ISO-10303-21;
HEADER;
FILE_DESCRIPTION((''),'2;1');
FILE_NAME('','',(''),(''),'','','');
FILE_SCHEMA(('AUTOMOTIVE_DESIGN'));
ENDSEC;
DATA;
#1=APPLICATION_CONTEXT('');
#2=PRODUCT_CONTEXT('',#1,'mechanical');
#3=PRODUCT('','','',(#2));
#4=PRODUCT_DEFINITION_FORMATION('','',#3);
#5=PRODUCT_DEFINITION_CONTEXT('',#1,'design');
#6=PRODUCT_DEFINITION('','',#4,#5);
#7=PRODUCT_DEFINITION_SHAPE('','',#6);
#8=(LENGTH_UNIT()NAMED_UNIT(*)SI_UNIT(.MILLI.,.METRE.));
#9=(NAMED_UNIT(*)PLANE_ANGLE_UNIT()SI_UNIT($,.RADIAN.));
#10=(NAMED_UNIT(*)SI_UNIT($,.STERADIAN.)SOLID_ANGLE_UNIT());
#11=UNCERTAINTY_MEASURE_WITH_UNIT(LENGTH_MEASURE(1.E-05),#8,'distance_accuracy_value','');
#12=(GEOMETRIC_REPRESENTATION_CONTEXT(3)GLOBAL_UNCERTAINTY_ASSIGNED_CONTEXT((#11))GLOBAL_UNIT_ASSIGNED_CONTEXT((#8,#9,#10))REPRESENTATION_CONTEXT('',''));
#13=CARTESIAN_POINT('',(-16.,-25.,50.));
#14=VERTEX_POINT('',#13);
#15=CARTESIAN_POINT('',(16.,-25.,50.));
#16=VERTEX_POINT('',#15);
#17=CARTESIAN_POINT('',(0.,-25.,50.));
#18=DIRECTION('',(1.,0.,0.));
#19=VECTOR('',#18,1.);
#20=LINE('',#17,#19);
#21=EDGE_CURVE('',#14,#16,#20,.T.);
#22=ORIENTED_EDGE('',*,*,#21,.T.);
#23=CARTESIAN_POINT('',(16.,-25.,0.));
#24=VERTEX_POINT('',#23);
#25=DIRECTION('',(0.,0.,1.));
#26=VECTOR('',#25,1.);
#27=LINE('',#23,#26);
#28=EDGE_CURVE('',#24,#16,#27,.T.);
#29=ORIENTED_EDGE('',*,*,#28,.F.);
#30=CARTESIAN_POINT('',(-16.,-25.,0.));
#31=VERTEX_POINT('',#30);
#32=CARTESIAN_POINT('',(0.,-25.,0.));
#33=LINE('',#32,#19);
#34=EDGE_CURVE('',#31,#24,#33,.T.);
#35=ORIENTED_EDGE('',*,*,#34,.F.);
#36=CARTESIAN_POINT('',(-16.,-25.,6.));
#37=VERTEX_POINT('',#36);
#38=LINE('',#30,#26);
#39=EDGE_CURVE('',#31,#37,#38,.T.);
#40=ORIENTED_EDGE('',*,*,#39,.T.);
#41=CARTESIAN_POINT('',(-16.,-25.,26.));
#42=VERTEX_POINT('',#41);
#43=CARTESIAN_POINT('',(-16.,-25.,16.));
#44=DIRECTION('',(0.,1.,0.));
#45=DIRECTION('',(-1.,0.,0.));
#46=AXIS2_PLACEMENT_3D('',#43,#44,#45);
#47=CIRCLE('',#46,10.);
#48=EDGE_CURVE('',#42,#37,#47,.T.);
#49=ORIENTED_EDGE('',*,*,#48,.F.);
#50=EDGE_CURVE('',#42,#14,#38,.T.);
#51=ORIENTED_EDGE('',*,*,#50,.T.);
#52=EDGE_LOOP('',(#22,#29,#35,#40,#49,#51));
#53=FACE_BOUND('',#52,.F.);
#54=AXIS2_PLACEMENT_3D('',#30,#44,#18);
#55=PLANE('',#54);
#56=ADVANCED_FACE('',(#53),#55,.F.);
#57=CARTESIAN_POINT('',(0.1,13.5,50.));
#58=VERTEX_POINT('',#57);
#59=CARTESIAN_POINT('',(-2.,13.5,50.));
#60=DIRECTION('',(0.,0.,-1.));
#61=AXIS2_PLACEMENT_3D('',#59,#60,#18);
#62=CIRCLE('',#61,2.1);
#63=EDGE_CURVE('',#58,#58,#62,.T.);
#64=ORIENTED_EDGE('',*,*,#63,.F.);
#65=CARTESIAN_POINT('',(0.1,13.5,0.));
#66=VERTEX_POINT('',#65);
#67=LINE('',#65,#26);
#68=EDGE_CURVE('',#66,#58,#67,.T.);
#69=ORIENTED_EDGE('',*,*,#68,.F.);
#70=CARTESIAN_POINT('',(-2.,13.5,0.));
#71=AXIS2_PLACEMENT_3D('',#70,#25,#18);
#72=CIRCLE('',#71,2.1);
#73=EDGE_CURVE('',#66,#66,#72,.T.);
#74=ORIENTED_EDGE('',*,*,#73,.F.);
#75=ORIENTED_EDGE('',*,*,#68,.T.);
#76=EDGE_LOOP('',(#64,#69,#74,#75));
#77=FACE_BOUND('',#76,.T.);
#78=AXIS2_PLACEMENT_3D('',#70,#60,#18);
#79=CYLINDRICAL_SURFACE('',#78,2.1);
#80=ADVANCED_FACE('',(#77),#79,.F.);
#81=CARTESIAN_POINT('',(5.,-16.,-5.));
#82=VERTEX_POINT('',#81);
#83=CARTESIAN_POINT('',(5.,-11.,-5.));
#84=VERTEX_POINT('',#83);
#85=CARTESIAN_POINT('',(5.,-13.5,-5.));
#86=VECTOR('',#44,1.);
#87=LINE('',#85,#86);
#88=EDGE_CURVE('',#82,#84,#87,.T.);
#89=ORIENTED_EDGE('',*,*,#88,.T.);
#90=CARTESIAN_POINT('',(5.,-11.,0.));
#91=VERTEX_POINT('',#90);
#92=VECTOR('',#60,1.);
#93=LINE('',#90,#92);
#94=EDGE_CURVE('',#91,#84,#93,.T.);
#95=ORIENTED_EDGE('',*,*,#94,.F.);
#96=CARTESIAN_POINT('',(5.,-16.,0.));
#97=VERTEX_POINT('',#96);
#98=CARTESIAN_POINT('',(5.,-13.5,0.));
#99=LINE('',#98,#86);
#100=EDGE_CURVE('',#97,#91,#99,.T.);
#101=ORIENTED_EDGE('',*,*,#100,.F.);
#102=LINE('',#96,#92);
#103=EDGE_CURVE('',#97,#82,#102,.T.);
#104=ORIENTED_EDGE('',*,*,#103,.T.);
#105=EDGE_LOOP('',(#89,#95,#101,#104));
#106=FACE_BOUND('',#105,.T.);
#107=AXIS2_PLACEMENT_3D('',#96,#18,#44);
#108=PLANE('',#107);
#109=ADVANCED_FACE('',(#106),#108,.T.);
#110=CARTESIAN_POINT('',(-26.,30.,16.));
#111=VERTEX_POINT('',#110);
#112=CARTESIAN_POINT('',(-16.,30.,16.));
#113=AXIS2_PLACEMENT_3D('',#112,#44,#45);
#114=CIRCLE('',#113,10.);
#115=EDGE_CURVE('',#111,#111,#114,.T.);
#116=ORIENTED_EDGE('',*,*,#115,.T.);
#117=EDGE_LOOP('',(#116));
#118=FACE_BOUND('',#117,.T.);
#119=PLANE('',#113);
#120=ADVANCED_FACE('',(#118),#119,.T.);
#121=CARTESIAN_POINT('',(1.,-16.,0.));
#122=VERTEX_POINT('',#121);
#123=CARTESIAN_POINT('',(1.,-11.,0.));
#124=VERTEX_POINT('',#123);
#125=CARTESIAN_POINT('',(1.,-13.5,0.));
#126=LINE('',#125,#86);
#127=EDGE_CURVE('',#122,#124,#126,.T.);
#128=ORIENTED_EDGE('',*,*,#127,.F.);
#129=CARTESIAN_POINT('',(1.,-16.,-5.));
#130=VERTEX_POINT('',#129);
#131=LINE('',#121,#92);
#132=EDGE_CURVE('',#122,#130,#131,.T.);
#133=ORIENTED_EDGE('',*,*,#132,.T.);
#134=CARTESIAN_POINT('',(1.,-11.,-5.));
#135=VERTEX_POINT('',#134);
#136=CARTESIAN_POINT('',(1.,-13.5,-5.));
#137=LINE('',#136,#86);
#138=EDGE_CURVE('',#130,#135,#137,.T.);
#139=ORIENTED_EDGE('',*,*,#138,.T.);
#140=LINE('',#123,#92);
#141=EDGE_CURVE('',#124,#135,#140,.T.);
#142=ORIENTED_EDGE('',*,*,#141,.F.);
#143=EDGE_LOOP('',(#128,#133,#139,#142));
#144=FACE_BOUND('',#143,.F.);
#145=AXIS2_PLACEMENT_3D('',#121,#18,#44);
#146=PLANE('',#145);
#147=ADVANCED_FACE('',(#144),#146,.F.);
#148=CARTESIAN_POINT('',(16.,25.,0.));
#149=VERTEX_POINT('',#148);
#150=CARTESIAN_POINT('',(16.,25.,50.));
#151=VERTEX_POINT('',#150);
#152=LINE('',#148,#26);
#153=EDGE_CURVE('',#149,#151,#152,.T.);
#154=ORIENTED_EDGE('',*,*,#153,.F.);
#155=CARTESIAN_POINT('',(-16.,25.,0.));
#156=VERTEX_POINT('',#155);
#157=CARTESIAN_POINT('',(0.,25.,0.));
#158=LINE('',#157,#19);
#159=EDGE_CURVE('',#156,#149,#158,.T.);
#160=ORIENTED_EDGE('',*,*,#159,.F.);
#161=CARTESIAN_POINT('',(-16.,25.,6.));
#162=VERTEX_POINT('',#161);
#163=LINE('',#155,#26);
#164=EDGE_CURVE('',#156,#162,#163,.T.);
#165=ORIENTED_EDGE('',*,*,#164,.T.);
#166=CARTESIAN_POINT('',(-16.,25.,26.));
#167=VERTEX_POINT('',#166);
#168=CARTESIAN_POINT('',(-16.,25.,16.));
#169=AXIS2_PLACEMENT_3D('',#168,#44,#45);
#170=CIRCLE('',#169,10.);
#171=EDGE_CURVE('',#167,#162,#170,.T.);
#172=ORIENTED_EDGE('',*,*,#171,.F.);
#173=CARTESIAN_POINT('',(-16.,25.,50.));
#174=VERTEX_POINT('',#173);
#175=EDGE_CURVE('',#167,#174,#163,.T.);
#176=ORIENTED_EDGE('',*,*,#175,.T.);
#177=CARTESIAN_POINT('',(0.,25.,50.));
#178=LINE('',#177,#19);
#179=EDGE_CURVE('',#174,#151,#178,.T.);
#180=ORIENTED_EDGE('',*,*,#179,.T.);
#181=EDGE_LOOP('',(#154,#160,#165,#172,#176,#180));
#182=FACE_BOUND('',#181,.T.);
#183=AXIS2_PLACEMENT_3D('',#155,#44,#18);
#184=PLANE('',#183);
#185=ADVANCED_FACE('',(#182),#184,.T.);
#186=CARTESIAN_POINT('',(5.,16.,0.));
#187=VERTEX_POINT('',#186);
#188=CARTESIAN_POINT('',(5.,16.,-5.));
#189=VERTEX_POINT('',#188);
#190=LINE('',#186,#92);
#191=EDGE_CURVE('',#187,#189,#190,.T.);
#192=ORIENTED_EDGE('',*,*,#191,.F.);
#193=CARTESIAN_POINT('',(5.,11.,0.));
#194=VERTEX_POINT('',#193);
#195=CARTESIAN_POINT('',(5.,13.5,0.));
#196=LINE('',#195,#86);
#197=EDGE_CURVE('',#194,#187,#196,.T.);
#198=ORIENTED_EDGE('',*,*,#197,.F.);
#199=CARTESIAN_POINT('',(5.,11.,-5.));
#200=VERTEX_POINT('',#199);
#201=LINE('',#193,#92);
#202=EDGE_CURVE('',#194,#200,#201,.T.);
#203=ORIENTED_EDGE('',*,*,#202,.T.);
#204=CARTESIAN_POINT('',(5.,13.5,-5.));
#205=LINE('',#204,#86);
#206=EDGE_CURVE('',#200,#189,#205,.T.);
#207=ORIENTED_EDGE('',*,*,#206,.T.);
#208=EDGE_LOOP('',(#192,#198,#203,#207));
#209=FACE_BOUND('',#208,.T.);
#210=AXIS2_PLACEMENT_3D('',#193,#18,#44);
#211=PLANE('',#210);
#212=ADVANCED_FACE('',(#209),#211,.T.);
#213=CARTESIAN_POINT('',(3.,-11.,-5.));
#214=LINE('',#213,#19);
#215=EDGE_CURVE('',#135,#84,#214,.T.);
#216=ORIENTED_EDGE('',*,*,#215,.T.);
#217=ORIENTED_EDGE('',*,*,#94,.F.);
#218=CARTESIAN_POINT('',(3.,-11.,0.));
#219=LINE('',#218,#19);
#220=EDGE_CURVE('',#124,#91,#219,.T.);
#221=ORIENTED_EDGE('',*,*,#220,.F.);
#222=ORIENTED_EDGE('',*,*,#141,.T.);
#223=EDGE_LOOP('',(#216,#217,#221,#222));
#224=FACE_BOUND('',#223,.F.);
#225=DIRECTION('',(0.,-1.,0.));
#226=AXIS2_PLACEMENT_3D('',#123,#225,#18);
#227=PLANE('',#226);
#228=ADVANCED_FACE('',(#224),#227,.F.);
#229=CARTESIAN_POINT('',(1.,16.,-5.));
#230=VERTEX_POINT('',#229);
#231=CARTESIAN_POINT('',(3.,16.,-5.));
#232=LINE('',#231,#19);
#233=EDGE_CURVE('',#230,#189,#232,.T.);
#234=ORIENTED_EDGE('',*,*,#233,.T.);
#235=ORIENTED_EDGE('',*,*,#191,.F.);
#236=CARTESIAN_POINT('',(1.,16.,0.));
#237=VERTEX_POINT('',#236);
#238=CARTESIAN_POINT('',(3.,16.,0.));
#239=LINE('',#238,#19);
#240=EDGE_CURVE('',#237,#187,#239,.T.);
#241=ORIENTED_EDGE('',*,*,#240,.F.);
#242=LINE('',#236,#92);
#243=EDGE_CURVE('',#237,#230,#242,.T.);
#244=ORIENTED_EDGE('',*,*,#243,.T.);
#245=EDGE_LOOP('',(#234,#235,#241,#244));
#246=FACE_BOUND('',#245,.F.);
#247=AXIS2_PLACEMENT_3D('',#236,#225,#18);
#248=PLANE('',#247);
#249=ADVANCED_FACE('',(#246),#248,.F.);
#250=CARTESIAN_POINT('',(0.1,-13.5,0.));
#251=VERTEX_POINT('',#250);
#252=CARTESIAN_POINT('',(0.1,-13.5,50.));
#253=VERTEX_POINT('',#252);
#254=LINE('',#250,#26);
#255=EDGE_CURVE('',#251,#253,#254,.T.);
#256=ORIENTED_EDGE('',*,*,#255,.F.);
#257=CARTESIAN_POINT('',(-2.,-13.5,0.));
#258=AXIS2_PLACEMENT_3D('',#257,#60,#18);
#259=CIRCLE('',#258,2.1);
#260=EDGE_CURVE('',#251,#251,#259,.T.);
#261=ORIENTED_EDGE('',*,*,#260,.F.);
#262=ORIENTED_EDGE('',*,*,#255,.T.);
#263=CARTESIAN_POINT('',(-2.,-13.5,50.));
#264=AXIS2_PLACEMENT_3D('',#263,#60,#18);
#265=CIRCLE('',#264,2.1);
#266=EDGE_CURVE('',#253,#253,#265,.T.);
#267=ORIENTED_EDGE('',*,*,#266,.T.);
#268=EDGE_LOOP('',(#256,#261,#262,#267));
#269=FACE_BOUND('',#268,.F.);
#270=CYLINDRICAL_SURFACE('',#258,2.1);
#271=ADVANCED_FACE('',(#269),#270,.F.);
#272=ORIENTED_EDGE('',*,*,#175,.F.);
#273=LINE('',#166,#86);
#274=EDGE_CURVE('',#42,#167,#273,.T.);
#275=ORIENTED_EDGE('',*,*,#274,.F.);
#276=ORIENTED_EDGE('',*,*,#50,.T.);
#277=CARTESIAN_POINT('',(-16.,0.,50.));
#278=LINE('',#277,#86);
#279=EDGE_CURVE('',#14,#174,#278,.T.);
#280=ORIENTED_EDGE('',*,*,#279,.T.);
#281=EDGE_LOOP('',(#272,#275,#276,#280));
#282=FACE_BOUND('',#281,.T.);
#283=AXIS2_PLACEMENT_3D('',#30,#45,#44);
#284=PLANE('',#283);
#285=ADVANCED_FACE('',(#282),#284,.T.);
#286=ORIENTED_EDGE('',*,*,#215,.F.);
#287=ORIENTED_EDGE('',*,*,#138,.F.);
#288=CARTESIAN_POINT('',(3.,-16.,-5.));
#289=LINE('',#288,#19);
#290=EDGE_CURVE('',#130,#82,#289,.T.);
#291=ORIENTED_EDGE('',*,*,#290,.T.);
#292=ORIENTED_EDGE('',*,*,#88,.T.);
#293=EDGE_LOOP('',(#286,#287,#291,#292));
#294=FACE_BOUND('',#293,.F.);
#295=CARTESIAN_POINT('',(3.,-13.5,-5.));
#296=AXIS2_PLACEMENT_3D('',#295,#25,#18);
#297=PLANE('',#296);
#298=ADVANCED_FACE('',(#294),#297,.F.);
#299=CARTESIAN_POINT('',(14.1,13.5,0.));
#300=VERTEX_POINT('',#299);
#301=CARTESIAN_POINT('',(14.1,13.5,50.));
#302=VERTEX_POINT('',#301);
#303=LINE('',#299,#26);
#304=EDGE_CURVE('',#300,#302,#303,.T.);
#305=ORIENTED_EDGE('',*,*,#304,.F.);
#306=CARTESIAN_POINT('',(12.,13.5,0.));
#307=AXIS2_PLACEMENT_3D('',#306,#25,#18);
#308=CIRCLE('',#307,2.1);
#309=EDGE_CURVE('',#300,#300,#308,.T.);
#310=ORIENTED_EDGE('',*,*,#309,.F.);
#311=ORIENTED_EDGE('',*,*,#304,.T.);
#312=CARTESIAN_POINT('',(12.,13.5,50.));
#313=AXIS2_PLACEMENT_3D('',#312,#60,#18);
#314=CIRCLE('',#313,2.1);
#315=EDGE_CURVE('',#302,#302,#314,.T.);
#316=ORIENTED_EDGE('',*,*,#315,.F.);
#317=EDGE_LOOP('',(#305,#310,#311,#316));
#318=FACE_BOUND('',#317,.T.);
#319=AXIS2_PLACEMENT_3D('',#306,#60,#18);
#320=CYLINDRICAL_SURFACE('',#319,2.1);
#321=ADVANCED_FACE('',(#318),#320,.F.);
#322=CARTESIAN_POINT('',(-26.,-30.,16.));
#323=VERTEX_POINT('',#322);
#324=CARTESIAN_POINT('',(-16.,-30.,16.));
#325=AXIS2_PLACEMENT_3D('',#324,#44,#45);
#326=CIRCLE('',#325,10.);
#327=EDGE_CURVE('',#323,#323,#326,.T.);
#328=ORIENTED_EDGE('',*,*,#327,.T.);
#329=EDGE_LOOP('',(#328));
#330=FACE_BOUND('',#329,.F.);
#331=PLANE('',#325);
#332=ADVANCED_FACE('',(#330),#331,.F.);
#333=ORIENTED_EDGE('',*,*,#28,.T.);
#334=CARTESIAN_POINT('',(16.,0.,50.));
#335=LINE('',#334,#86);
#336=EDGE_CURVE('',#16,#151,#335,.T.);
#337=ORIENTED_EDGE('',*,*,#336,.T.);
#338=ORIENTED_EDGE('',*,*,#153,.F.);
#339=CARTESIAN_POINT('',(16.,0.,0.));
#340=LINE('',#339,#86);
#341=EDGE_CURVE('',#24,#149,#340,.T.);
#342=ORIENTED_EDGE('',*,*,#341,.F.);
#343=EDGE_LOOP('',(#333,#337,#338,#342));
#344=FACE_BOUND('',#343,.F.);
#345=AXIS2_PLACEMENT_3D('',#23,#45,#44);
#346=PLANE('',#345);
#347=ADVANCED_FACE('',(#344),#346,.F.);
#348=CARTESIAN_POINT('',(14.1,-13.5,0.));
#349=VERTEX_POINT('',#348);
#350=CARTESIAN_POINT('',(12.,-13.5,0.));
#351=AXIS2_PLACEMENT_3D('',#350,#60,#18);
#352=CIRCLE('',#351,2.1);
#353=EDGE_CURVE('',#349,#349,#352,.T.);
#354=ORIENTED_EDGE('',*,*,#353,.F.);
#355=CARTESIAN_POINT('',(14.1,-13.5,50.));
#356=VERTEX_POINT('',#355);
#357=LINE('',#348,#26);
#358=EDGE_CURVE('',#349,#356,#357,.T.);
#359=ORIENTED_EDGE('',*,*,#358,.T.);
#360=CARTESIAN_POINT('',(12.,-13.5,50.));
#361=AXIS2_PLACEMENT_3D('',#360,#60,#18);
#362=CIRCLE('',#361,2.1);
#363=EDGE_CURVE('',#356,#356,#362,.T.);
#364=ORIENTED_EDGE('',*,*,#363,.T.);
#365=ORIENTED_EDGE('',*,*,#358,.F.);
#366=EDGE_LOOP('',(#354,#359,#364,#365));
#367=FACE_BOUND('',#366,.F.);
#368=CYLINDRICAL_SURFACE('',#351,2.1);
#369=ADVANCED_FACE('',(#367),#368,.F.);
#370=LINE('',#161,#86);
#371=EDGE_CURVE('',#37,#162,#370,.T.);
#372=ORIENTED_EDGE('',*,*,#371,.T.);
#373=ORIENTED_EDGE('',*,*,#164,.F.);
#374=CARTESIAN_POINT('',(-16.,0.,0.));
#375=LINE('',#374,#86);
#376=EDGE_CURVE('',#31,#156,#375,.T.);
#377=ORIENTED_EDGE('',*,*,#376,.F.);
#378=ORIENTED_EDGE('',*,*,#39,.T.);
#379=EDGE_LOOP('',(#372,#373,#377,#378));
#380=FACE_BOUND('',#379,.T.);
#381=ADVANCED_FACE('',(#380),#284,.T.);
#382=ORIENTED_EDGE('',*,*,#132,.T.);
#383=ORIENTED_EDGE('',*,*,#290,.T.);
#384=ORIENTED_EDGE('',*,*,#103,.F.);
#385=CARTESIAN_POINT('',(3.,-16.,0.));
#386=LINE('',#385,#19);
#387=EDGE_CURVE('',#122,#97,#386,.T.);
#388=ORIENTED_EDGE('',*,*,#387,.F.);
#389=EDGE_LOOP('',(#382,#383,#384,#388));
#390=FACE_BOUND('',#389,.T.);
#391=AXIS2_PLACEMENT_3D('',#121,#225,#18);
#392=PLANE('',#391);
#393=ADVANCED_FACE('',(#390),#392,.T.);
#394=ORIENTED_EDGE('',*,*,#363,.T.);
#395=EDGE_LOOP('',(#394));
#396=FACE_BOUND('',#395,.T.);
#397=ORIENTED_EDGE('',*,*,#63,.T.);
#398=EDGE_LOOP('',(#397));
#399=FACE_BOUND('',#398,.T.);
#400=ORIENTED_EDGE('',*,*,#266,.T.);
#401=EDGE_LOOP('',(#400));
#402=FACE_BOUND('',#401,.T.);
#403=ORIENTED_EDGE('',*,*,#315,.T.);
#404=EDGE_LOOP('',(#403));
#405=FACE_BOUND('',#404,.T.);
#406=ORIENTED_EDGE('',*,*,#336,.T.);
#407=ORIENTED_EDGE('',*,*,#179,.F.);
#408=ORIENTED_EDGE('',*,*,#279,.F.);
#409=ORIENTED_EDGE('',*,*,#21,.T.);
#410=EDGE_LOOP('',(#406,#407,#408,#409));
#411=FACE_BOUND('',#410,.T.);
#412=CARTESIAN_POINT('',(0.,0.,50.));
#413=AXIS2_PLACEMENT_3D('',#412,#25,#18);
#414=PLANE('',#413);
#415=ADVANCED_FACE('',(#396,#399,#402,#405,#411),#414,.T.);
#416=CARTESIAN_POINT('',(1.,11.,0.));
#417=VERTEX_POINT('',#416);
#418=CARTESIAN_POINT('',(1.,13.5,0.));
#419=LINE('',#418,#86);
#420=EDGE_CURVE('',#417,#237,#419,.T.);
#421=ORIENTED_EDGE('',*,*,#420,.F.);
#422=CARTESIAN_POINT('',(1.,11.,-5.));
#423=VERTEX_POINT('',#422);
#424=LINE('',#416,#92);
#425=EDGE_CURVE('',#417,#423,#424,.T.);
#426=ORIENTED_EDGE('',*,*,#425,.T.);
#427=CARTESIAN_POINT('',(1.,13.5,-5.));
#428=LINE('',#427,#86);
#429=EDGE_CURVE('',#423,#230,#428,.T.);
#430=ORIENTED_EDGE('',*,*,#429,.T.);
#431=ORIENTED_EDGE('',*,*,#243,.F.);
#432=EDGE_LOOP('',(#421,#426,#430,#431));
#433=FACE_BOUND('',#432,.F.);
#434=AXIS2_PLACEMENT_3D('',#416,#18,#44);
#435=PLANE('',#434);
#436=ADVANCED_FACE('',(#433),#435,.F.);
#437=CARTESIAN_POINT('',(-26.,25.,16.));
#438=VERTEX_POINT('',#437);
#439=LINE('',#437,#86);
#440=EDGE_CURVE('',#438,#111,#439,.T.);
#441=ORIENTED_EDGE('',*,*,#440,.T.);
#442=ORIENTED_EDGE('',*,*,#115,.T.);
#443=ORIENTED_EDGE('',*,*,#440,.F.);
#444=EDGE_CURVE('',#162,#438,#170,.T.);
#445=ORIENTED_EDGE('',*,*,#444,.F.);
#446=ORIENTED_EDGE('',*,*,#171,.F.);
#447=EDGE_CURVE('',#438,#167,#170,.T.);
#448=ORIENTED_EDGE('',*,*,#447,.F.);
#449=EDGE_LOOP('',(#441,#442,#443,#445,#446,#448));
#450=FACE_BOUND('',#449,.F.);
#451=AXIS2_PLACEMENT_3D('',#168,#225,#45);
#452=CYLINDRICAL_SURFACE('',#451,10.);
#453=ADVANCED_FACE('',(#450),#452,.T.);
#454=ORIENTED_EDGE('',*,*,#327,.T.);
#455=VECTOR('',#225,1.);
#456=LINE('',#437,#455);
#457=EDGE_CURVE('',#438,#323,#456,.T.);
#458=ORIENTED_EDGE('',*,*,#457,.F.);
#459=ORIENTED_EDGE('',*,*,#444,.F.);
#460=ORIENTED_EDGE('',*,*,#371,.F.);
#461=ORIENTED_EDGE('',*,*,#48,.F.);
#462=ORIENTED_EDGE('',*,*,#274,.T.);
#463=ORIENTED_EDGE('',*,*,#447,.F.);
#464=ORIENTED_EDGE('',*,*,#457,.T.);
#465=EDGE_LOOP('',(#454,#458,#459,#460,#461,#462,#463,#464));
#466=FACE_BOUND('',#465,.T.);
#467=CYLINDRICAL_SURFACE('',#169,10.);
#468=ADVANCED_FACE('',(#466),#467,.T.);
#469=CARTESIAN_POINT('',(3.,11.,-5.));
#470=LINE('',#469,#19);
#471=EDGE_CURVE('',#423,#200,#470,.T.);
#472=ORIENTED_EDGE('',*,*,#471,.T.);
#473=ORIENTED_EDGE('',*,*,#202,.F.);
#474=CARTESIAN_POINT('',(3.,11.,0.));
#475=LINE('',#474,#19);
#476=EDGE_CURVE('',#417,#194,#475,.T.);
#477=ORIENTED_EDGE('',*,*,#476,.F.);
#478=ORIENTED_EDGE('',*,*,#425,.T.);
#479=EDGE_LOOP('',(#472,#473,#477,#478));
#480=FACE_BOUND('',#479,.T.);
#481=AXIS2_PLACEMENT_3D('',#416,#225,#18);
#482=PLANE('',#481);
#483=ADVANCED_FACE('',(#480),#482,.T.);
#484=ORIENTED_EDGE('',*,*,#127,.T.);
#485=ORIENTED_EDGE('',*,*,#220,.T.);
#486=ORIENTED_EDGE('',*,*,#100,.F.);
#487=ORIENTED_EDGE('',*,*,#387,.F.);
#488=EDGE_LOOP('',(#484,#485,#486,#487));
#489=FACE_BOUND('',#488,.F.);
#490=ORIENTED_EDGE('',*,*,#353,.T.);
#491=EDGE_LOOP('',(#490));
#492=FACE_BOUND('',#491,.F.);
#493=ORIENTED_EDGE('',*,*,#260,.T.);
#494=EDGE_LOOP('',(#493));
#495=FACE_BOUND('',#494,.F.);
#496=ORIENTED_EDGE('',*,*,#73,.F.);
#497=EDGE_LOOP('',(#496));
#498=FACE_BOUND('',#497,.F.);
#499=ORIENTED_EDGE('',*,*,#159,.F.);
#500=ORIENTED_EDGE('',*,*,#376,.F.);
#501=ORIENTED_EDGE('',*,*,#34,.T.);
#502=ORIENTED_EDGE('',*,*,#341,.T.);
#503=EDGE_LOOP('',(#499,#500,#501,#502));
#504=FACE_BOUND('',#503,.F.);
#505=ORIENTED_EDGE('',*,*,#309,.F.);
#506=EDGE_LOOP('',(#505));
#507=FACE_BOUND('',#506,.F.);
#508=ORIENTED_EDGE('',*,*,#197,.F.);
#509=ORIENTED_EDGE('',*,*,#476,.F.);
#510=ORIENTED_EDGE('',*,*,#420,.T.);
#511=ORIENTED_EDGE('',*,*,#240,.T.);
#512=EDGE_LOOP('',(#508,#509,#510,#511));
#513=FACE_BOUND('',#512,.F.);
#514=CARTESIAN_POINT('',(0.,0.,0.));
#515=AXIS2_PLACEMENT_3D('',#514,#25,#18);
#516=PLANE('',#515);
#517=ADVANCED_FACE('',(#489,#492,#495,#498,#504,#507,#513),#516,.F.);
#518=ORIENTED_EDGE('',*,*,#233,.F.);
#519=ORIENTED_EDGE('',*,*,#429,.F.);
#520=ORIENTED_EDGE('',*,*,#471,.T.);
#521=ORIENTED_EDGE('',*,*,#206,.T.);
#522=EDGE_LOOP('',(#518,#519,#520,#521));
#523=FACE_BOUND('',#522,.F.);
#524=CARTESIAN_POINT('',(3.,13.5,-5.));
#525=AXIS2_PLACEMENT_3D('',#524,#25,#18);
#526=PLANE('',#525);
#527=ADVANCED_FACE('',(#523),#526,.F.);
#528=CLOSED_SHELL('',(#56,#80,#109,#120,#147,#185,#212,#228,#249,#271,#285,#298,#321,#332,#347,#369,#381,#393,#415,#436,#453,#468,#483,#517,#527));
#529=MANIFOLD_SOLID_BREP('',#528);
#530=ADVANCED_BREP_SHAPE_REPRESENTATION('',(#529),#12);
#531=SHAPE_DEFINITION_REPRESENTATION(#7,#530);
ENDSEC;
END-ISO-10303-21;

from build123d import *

# Parameters (mm, degrees)
SKETCH001_W       = 32
SKETCH001_H       = 50
PAD_DEPTH         = 50
SKETCH002_W       = 4
SKETCH002_H       = 5
PAD001_DEPTH      = 5
SKETCH003_R       = 2.1
POCKET_DEPTH      = 211.852784
SKETCH004_R       = 10
PAD002_DEPTH      = 5
PAD002_DEPTH_BACK = 55


with BuildPart() as part:
    # Sketch001 → Pad (new body)
    with BuildSketch(Plane.XY):
        Rectangle(SKETCH001_W, SKETCH001_H)
    extrude(amount=PAD_DEPTH)

    # Sketch002 → Pad001 (join)
    with BuildSketch(Plane.XY):
        with Locations((3, 13.5)):
            Rectangle(SKETCH002_W, SKETCH002_H)
        with Locations((3, -13.5)):
            Rectangle(SKETCH002_W, SKETCH002_H)
    extrude(amount=-PAD001_DEPTH)

    # Sketch003 → Pocket (cut, through all)
    with BuildSketch(Plane.XY):
        with Locations((-2, 13.5)):
            Circle(SKETCH003_R)
        with Locations((12, 13.5)):
            Circle(SKETCH003_R)
    pocket = extrude(amount=POCKET_DEPTH, mode=Mode.SUBTRACT)

    # Mirrored: Pocket across Sketch003 H_Axis
    add(pocket.mirror(Plane.ZX), mode=Mode.SUBTRACT)

    # Sketch004 (on DatumPlane) → Pad002 (join, two sides)
    with BuildSketch(Plane(origin=(0, 25, 0), x_dir=(-1, 0, 0), z_dir=(0, 1, 0))) as pad002_sk:
        with Locations((16, 16)):
            Circle(SKETCH004_R)
    extrude(amount=PAD002_DEPTH)
    extrude(pad002_sk.sketch, amount=-PAD002_DEPTH_BACK)


solid = part.part
